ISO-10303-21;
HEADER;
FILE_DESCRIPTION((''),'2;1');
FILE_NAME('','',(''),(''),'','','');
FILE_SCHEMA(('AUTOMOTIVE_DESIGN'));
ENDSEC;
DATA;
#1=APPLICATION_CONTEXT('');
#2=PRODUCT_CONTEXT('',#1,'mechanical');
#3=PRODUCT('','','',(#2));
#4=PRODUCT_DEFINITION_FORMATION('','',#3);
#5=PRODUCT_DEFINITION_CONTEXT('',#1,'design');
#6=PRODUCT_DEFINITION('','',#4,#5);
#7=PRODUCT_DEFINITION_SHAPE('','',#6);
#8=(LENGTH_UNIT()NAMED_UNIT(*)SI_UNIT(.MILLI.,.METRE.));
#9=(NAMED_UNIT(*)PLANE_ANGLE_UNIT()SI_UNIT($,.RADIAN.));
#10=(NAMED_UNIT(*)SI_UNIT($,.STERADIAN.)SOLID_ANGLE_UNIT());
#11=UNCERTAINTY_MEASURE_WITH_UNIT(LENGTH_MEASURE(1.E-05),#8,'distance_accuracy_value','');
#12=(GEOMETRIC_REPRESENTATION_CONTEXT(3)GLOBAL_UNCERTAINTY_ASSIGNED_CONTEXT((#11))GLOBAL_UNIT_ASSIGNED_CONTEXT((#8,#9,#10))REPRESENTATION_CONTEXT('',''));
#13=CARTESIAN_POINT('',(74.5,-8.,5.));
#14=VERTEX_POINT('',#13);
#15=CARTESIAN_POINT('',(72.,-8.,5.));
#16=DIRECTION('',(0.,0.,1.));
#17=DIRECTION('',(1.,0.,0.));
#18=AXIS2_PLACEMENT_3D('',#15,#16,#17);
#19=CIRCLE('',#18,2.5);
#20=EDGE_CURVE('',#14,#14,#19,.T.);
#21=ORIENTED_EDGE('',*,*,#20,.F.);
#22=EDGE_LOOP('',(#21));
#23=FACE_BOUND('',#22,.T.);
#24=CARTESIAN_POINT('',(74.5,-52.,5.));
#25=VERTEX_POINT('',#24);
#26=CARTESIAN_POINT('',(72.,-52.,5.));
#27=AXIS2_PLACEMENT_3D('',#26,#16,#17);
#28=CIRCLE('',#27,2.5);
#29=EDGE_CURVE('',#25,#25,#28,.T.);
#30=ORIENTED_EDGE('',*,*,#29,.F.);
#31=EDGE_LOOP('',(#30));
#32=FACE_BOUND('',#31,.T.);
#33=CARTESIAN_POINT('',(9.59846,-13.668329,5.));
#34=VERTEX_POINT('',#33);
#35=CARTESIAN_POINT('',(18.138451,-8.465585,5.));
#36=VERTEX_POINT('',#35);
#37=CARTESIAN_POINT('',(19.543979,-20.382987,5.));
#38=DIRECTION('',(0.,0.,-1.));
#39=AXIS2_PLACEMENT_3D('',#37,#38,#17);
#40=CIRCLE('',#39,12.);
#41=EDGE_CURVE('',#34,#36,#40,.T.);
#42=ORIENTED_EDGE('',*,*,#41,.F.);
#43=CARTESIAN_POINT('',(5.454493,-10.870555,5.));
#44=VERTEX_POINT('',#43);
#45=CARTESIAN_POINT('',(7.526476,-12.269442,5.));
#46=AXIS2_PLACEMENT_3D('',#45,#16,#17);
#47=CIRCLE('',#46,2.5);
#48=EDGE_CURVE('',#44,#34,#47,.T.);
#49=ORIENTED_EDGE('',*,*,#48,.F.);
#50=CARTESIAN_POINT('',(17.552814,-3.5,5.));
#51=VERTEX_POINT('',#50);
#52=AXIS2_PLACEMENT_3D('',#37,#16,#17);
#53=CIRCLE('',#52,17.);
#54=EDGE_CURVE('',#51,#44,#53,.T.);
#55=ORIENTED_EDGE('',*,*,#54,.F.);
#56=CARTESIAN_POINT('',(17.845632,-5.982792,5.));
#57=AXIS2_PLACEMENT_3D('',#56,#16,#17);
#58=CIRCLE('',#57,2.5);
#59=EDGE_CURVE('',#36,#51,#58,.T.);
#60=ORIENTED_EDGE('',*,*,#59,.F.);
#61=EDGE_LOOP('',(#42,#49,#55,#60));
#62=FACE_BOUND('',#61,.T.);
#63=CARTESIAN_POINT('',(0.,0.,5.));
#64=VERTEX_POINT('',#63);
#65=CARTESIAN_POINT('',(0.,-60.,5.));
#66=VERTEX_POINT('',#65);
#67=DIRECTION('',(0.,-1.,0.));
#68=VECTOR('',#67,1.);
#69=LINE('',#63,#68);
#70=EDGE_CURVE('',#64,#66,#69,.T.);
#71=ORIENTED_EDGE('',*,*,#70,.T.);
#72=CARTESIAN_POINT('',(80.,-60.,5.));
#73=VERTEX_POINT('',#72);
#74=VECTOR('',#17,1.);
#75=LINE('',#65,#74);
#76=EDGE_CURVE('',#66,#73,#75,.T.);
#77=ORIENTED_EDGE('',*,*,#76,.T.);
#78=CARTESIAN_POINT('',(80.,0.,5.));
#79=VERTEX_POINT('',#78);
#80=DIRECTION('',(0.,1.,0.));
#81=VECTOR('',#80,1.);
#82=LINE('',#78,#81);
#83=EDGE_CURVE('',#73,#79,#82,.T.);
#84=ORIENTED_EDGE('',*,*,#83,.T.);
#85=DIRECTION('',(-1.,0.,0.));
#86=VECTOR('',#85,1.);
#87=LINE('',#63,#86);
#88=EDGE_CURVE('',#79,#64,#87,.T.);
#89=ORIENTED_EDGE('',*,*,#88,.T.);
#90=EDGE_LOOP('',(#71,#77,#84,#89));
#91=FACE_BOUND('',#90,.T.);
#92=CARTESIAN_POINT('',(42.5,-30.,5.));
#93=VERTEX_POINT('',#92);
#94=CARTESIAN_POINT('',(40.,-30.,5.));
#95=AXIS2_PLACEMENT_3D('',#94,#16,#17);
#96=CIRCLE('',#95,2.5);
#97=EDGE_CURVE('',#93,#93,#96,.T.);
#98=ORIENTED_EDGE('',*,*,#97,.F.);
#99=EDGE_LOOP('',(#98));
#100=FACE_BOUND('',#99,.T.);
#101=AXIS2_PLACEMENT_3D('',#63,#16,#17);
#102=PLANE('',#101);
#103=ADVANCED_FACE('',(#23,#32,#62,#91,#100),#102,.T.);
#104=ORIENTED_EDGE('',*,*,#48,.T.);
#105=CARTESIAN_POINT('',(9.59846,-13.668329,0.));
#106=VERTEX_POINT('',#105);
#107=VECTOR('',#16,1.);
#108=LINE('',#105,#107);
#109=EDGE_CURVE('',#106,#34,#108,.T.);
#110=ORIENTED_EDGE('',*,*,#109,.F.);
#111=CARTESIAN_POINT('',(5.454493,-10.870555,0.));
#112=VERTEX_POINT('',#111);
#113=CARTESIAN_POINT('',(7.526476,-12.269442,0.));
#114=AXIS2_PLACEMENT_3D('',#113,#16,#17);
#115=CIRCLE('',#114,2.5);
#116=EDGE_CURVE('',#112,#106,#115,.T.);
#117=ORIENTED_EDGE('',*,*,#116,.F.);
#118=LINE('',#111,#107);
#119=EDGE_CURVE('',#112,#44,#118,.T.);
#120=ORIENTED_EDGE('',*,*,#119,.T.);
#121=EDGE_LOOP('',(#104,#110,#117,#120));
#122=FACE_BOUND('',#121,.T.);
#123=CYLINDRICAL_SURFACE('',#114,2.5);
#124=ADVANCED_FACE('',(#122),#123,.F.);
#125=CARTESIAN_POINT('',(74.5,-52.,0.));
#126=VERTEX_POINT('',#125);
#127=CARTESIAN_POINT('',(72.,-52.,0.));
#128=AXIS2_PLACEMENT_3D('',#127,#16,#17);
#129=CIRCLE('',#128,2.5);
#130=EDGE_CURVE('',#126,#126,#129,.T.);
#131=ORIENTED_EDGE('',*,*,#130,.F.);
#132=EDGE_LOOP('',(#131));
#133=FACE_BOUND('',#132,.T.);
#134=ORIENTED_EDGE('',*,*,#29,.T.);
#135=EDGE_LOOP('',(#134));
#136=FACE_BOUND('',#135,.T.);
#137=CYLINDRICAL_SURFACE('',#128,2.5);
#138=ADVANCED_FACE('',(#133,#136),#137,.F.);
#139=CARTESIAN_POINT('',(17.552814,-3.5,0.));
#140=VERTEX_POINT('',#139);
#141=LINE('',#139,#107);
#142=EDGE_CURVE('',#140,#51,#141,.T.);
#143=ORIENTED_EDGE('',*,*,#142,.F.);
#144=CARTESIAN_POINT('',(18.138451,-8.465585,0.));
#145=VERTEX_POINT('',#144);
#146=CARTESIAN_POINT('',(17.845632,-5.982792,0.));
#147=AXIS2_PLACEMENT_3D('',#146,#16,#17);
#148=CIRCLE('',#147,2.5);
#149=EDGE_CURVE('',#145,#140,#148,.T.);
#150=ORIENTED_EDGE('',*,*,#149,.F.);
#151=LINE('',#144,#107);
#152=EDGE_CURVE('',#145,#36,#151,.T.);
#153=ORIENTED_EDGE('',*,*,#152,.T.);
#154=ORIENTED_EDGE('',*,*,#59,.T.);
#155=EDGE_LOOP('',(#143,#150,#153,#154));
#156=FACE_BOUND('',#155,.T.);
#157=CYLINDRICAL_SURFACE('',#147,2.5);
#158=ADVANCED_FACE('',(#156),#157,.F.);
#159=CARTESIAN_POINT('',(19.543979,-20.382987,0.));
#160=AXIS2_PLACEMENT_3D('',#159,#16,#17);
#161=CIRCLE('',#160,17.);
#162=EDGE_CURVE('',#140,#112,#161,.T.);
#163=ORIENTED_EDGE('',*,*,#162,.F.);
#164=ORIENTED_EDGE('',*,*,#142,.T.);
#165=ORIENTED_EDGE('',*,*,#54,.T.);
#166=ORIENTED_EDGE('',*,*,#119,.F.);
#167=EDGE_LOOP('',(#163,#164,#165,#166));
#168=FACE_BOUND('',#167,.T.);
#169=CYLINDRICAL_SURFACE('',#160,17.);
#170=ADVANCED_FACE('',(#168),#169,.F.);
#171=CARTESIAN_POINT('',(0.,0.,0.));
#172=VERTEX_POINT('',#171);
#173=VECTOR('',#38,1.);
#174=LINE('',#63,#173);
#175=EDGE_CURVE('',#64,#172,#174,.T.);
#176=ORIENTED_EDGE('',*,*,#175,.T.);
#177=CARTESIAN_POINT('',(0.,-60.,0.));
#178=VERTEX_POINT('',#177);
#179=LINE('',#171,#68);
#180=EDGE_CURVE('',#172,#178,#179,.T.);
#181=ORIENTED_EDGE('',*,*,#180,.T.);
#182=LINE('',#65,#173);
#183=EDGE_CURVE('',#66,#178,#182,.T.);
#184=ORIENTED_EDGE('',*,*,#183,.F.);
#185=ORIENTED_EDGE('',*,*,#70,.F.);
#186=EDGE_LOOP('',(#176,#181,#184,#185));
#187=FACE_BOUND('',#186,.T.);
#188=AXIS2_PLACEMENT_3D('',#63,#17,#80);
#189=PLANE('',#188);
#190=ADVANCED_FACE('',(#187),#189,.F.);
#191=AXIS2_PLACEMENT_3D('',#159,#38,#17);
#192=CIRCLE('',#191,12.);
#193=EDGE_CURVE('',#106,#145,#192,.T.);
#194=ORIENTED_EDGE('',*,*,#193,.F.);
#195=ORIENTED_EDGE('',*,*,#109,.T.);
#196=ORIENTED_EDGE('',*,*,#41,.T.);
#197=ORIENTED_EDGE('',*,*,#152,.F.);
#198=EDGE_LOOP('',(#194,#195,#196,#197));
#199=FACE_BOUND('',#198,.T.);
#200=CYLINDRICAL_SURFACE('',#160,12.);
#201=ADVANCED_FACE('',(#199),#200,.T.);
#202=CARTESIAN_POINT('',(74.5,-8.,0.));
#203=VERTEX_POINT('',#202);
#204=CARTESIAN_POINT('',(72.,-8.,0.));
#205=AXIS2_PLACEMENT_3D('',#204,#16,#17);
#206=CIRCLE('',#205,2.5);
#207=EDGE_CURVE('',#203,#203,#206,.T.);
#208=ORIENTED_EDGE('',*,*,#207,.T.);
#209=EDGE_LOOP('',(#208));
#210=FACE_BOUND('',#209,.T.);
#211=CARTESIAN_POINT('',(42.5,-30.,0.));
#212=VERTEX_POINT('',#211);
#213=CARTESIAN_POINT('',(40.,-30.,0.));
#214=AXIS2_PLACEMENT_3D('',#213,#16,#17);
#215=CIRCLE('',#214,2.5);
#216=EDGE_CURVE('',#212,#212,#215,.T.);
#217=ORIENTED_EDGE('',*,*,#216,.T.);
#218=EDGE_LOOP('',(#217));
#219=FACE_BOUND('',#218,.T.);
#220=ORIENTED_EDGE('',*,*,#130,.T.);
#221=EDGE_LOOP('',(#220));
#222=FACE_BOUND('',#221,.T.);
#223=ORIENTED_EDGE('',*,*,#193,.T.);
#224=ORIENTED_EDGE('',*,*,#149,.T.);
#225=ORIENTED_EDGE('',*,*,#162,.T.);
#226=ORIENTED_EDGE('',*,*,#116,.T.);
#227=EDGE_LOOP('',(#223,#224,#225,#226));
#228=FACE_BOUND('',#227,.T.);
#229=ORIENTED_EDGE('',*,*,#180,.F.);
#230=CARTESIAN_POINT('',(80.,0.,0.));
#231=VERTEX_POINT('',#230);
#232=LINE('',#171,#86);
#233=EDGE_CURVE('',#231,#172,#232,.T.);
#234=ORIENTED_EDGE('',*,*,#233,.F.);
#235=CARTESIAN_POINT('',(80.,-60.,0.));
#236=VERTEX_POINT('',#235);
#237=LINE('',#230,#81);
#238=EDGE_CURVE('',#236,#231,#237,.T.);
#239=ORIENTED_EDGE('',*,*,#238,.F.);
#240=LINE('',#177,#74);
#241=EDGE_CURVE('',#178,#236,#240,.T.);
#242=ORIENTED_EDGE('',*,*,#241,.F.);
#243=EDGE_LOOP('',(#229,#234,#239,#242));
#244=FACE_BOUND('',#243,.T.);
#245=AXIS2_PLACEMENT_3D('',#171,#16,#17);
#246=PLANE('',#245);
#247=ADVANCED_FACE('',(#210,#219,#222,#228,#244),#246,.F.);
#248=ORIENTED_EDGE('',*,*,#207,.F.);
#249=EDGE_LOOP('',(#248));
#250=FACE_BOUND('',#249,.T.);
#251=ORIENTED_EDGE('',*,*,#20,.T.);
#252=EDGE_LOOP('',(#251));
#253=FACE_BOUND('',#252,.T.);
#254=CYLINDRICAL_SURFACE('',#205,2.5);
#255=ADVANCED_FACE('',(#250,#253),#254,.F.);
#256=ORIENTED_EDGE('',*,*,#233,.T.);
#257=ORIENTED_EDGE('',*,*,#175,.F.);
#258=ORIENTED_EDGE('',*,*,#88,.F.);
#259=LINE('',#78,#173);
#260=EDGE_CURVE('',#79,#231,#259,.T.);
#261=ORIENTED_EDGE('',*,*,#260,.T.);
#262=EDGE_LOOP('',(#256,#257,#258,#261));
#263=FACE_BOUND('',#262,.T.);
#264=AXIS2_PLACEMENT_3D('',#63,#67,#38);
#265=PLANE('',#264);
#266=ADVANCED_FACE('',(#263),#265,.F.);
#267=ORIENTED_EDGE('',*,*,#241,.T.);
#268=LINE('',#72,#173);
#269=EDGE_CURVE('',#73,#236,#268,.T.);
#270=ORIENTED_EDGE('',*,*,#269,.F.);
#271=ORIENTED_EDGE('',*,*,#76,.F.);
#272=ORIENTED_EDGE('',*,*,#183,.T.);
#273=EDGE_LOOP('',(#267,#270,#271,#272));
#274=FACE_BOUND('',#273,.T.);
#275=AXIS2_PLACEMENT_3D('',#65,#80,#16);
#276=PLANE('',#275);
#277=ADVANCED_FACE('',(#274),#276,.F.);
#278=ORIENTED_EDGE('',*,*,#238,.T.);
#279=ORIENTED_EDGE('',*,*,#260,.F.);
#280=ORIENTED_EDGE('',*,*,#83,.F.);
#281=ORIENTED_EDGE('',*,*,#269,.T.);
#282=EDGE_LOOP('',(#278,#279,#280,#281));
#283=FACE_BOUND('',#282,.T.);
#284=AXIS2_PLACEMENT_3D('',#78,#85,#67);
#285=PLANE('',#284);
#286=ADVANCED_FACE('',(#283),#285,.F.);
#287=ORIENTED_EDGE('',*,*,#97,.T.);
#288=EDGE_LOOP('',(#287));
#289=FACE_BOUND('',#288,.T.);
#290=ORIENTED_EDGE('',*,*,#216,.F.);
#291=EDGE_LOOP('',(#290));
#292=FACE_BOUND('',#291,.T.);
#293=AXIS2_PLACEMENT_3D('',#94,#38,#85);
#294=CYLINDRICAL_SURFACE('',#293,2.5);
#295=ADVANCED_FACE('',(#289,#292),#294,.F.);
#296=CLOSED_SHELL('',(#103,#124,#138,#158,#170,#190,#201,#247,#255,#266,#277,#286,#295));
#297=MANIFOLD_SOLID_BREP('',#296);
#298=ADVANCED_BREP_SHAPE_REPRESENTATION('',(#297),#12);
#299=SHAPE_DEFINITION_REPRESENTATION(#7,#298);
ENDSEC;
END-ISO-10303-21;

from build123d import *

# Parameters (mm, degrees)
SKETCH1_W           = 80
SKETCH1_H           = 60
SKETCH1_R           = 2.5
BOSS_EXTRUDE1_DEPTH = 5
SKETCH2_R           = 2.5
CUT_EXTRUDE1_DEPTH  = 6


with BuildPart() as part:
    # Sketch1 → Boss-Extrude1 (new body)
    with BuildSketch(Plane.XY):
        with Locations((40, -30)):
            Rectangle(SKETCH1_W, SKETCH1_H)
        with Locations((40, -30)):
            Circle(SKETCH1_R, mode=Mode.SUBTRACT)
    extrude(amount=BOSS_EXTRUDE1_DEPTH)

    # Sketch2 → Cut-Extrude1 (cut, through all)
    with BuildSketch(Plane.XY.offset(5)):
        with Locations((72, -52)):
            Circle(SKETCH2_R)
        with Locations((72, -8)):
            Circle(SKETCH2_R)
        with BuildLine():
            ThreePointArc((17.552814057, -3.5), (10.699313896, -5.865002188), (5.454493121, -10.87055459))
            ThreePointArc((5.454493121, -10.87055459), (6.127589233, -14.341425031), (9.598459675, -13.66832892))
            ThreePointArc((9.598459675, -13.66832892), (13.300686104, -10.134997812), (18.138450924, -8.465584503))
            ThreePointArc((18.138450924, -8.465584503), (20.328424742, -5.689973818), (17.552814057, -3.5))
        make_face()
    extrude(amount=-CUT_EXTRUDE1_DEPTH, mode=Mode.SUBTRACT)


solid = part.part
